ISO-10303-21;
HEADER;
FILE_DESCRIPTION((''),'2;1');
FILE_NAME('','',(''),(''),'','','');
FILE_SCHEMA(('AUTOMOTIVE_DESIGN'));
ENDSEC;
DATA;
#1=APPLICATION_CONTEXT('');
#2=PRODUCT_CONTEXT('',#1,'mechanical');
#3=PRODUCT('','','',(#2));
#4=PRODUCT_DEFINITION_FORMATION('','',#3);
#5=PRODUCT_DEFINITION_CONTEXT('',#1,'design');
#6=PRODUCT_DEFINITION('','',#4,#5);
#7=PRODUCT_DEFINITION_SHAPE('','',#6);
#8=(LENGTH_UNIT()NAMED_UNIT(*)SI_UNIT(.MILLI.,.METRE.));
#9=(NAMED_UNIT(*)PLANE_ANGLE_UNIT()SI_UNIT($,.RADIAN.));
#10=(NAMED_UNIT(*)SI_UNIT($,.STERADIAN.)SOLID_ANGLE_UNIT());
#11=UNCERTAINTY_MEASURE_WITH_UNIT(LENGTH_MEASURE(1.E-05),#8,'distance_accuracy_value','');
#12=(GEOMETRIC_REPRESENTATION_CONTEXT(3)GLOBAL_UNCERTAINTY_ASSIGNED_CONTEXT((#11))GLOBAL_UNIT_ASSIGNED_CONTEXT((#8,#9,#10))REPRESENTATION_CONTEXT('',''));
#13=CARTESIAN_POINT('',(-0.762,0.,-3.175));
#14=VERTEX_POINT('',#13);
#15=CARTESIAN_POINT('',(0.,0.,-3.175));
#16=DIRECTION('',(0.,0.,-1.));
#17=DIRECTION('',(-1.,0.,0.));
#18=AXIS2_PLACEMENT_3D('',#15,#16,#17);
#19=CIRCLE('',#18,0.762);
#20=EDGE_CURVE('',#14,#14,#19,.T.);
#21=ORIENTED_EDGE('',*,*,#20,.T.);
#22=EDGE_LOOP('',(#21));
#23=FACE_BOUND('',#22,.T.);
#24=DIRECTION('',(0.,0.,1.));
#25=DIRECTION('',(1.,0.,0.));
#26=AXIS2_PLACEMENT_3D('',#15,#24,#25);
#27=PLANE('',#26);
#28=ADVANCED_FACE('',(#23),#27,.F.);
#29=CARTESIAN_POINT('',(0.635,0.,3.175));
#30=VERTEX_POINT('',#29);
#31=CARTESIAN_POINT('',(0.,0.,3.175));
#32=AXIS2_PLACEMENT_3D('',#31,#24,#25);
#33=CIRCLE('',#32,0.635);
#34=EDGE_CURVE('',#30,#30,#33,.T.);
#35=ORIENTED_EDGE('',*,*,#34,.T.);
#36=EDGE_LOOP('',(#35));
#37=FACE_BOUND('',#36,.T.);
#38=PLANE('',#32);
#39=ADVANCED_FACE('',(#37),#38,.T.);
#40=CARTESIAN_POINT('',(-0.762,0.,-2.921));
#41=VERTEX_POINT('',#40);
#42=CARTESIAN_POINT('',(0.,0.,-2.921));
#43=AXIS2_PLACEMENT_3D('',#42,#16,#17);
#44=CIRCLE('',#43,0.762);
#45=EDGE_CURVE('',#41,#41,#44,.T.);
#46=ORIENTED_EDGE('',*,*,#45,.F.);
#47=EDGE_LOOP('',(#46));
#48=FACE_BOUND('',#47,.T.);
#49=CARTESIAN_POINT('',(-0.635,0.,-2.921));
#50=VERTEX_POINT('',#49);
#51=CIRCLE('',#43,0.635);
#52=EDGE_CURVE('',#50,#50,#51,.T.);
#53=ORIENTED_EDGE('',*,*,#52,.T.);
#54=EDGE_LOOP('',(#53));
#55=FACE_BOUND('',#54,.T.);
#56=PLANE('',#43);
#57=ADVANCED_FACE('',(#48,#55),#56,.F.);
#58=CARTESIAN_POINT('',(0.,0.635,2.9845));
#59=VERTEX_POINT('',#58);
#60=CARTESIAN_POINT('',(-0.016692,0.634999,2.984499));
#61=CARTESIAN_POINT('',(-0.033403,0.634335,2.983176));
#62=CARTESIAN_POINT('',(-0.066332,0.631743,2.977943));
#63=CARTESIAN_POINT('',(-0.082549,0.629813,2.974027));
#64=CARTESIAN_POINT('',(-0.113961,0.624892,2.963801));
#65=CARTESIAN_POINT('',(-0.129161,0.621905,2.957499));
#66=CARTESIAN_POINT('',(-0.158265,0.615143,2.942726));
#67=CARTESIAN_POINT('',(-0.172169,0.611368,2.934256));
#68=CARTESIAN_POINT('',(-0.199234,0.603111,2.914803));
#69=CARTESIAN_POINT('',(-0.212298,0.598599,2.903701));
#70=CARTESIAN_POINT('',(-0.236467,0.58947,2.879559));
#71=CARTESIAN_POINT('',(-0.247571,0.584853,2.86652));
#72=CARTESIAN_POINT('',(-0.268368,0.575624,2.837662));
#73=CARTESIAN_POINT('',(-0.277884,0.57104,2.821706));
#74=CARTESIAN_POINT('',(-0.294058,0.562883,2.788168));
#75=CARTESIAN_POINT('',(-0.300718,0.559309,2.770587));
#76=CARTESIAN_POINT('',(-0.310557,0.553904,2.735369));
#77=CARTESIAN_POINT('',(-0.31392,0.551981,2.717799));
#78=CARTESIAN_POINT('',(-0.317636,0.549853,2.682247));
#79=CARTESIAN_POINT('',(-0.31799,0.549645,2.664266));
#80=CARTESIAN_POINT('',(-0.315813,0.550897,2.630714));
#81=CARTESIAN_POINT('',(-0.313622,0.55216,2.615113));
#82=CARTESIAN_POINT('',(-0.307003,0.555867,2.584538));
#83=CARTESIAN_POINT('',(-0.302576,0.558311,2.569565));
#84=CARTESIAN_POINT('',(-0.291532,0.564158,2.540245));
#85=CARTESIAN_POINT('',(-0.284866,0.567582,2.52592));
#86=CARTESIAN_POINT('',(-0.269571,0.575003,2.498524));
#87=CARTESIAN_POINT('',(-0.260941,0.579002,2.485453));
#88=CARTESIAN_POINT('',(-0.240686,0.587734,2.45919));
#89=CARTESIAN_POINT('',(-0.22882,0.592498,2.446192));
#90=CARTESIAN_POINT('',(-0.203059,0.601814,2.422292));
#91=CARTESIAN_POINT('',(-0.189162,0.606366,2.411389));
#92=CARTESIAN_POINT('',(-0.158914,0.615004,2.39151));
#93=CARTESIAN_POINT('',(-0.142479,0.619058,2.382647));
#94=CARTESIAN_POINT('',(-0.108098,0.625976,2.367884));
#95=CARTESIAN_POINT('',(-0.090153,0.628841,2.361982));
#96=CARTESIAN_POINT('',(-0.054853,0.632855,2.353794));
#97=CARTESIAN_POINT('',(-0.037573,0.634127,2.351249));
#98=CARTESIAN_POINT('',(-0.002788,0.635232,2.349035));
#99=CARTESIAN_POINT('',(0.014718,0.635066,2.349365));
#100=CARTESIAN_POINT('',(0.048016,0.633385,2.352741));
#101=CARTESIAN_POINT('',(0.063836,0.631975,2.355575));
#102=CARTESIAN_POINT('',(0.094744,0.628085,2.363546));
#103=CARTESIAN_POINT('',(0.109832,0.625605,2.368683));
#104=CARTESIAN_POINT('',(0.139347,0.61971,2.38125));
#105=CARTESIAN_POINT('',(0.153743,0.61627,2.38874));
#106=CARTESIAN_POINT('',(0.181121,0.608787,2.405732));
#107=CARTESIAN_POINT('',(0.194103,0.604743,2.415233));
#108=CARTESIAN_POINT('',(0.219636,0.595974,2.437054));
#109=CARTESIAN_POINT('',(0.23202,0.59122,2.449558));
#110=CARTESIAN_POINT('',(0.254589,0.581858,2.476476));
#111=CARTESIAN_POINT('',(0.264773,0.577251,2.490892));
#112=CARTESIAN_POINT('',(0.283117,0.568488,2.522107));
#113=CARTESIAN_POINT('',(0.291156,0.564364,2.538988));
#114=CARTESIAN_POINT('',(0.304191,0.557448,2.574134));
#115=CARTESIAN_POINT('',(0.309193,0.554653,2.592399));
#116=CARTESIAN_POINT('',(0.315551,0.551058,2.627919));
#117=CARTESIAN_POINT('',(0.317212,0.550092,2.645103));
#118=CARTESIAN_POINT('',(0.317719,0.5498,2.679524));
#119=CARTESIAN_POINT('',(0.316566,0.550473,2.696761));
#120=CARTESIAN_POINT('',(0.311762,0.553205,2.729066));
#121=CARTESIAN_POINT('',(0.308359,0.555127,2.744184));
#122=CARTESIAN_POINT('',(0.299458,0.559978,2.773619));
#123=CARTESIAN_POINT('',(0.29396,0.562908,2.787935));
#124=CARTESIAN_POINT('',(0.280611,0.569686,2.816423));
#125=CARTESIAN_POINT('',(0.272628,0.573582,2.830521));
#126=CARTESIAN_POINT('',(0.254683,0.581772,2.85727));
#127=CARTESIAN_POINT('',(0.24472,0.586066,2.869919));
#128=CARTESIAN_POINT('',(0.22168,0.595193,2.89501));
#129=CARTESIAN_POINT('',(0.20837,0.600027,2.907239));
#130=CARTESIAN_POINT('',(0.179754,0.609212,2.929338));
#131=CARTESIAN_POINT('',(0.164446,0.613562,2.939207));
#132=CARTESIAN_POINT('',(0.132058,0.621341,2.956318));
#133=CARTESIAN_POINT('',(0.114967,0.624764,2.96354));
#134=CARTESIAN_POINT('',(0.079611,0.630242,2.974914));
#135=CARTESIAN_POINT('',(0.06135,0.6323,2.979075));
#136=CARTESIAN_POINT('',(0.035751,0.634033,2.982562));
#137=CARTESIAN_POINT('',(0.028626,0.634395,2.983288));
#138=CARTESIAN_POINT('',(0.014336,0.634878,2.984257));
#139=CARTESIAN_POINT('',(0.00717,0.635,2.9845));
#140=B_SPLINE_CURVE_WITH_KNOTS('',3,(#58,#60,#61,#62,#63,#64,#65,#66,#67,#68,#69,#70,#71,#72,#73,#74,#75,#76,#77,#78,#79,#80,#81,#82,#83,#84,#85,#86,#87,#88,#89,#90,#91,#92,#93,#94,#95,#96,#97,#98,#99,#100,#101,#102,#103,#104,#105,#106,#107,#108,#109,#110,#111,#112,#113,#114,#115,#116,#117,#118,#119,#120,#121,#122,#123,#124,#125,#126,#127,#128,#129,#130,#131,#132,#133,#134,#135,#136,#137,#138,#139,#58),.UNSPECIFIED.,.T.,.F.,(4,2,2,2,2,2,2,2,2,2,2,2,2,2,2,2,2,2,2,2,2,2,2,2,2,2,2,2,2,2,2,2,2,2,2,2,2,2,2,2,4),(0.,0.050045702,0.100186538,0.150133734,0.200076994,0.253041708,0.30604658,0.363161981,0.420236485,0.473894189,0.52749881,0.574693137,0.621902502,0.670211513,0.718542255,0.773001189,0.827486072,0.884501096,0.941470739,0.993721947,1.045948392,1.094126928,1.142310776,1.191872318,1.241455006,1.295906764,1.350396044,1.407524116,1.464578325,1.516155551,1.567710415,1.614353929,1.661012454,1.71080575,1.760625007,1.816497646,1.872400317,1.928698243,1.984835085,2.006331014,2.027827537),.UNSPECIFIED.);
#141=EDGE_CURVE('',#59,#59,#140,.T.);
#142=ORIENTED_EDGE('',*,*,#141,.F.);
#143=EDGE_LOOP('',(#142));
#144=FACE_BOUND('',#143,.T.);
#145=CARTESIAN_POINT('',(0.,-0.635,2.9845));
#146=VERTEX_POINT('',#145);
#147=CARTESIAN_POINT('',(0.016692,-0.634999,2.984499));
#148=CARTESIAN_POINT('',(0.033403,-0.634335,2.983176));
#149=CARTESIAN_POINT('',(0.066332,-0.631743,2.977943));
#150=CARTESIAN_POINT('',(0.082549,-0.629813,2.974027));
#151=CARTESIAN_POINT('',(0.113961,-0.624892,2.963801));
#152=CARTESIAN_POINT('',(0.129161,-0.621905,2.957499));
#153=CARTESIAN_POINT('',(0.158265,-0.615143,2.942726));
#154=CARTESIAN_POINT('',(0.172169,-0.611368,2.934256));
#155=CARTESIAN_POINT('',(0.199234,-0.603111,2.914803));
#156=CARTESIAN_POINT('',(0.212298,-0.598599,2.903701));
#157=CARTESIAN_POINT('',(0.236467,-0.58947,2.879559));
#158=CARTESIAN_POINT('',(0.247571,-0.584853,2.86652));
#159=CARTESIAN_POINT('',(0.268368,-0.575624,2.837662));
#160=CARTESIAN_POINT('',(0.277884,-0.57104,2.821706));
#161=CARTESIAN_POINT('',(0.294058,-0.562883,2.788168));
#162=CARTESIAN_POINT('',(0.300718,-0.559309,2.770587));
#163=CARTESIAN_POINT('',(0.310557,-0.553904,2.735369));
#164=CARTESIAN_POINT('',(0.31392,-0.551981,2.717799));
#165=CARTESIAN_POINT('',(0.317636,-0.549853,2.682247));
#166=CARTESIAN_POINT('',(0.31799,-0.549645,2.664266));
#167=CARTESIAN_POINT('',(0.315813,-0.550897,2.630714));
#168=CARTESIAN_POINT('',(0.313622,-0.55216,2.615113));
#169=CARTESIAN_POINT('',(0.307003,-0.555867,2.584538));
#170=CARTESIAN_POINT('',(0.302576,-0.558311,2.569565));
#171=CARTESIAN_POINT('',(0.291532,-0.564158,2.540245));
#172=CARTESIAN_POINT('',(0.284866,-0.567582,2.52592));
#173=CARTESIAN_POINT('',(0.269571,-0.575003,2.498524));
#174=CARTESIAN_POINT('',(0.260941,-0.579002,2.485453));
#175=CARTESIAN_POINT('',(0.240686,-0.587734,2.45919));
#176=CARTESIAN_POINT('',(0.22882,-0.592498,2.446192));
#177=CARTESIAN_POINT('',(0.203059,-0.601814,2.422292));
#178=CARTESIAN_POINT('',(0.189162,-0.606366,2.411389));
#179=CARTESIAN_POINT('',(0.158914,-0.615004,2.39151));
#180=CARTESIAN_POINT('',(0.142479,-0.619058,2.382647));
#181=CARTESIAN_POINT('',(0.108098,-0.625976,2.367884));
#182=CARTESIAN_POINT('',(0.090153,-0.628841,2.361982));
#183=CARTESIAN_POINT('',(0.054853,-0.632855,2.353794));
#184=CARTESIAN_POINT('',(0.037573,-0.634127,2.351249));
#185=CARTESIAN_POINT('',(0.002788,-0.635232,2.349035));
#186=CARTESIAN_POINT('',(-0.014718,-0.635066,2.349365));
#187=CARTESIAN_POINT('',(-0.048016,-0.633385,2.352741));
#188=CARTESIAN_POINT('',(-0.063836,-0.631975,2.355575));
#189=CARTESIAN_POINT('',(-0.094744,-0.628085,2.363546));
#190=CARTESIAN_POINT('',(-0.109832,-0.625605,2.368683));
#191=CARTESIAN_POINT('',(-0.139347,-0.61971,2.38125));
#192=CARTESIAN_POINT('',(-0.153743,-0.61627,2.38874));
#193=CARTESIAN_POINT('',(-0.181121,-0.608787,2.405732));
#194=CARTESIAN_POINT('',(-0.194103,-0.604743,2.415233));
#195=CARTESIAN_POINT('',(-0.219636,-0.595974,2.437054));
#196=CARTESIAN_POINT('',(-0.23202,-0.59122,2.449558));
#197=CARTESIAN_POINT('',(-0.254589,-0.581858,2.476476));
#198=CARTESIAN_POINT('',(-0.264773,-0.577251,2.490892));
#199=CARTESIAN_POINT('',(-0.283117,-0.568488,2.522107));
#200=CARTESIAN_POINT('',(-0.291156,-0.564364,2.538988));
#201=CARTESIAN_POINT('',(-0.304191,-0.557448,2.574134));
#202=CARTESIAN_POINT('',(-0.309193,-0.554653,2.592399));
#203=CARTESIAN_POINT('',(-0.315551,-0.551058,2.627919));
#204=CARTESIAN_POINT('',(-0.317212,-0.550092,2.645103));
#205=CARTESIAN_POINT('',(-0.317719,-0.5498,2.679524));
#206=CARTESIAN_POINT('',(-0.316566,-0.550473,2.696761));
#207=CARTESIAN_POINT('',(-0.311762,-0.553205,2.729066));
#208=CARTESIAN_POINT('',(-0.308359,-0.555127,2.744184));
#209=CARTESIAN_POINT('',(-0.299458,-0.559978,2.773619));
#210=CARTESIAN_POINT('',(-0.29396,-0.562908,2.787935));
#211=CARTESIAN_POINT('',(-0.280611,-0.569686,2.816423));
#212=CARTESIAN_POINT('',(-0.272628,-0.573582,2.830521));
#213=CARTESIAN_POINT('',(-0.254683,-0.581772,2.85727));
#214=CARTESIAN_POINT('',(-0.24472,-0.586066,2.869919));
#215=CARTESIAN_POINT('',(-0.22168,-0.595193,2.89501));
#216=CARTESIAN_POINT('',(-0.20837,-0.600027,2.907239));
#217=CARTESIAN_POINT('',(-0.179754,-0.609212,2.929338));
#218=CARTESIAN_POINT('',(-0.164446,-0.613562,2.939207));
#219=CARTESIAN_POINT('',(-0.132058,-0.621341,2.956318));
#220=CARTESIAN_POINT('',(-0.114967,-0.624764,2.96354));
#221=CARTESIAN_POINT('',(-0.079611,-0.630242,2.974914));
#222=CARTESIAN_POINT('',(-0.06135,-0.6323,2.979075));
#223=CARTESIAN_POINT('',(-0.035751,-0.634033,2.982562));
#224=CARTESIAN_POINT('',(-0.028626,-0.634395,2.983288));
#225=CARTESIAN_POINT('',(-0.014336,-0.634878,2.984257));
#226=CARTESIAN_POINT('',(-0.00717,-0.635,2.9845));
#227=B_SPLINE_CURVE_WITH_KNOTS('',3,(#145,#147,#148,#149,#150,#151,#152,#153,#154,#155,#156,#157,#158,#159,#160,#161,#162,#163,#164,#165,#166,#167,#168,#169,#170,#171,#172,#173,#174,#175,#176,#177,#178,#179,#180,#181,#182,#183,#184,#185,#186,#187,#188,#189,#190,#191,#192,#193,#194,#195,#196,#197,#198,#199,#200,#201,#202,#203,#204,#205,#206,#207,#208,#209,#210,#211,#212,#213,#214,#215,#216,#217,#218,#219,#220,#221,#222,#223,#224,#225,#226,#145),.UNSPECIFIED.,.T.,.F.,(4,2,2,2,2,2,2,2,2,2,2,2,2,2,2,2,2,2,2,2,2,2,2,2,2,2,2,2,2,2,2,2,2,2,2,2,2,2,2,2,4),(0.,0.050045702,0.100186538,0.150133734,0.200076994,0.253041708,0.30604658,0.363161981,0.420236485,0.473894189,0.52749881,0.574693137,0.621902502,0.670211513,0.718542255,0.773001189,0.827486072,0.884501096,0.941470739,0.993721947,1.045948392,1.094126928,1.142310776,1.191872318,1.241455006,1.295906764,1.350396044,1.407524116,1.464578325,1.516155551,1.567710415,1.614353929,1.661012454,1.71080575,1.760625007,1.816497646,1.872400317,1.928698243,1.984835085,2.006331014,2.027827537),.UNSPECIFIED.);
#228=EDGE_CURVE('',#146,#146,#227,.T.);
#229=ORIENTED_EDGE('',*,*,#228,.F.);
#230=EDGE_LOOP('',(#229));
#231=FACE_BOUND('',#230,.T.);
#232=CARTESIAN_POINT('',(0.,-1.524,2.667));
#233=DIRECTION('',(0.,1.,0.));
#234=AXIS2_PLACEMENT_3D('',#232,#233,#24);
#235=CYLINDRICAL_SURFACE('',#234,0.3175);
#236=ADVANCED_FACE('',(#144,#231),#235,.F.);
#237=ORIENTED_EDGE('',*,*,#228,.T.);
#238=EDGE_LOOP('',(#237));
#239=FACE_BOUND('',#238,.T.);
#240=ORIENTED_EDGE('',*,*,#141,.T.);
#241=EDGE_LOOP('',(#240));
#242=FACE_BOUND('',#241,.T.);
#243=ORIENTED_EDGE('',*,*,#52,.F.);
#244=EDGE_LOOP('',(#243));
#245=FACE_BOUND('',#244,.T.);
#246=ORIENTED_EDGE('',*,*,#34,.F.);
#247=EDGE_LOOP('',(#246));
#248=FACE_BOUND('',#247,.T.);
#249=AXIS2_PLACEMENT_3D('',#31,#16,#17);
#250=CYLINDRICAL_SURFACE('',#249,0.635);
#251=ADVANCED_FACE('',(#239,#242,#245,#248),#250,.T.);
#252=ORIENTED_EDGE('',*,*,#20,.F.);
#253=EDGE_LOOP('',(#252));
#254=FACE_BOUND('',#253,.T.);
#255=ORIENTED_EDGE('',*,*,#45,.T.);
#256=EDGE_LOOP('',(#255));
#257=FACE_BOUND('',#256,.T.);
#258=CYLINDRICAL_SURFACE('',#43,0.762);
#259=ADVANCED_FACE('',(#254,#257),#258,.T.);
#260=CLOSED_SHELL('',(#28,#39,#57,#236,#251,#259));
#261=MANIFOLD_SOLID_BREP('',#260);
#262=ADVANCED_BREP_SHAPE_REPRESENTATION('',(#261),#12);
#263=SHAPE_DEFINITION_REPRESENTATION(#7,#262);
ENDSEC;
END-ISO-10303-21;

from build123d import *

# Parameters (mm, degrees)
SKETCH3_R           = 0.635
BOSS_EXTRUDE1_DEPTH = 3.175
SKETCH4_R           = 0.3175
CUT_EXTRUDE1_DEPTH  = 1.524
BOSS_EXTRUDE2_START = -0.254
SKETCH5_R           = 0.762
SKETCH5_R_2         = 0.635
BOSS_EXTRUDE2_DEPTH = 0.254


with BuildPart() as part:
    # Sketch3 → Boss-Extrude1 (new, symmetric)
    with BuildSketch(Plane.XY):
        Circle(SKETCH3_R)
    extrude(amount=BOSS_EXTRUDE1_DEPTH, both=True)

    # Sketch4 → Cut-Extrude1 (cut, symmetric)
    with BuildSketch(Plane(origin=(0, 0, 0), x_dir=(1, 0, 0), z_dir=(0, 1, 0))):
        with Locations(Location((0, -2.667, 0), (0, 0, 270))):
            Circle(SKETCH4_R)
    extrude(amount=CUT_EXTRUDE1_DEPTH, both=True, mode=Mode.SUBTRACT)

    # Sketch5 → Boss-Extrude2 (add)
    with BuildSketch(Plane(origin=(0, 0, -3.175), x_dir=(-1, 0, 0), z_dir=(0, 0, -1)).offset(BOSS_EXTRUDE2_START)):
        Circle(SKETCH5_R)
        Circle(SKETCH5_R_2, mode=Mode.SUBTRACT)
    extrude(amount=BOSS_EXTRUDE2_DEPTH)


solid = part.part
